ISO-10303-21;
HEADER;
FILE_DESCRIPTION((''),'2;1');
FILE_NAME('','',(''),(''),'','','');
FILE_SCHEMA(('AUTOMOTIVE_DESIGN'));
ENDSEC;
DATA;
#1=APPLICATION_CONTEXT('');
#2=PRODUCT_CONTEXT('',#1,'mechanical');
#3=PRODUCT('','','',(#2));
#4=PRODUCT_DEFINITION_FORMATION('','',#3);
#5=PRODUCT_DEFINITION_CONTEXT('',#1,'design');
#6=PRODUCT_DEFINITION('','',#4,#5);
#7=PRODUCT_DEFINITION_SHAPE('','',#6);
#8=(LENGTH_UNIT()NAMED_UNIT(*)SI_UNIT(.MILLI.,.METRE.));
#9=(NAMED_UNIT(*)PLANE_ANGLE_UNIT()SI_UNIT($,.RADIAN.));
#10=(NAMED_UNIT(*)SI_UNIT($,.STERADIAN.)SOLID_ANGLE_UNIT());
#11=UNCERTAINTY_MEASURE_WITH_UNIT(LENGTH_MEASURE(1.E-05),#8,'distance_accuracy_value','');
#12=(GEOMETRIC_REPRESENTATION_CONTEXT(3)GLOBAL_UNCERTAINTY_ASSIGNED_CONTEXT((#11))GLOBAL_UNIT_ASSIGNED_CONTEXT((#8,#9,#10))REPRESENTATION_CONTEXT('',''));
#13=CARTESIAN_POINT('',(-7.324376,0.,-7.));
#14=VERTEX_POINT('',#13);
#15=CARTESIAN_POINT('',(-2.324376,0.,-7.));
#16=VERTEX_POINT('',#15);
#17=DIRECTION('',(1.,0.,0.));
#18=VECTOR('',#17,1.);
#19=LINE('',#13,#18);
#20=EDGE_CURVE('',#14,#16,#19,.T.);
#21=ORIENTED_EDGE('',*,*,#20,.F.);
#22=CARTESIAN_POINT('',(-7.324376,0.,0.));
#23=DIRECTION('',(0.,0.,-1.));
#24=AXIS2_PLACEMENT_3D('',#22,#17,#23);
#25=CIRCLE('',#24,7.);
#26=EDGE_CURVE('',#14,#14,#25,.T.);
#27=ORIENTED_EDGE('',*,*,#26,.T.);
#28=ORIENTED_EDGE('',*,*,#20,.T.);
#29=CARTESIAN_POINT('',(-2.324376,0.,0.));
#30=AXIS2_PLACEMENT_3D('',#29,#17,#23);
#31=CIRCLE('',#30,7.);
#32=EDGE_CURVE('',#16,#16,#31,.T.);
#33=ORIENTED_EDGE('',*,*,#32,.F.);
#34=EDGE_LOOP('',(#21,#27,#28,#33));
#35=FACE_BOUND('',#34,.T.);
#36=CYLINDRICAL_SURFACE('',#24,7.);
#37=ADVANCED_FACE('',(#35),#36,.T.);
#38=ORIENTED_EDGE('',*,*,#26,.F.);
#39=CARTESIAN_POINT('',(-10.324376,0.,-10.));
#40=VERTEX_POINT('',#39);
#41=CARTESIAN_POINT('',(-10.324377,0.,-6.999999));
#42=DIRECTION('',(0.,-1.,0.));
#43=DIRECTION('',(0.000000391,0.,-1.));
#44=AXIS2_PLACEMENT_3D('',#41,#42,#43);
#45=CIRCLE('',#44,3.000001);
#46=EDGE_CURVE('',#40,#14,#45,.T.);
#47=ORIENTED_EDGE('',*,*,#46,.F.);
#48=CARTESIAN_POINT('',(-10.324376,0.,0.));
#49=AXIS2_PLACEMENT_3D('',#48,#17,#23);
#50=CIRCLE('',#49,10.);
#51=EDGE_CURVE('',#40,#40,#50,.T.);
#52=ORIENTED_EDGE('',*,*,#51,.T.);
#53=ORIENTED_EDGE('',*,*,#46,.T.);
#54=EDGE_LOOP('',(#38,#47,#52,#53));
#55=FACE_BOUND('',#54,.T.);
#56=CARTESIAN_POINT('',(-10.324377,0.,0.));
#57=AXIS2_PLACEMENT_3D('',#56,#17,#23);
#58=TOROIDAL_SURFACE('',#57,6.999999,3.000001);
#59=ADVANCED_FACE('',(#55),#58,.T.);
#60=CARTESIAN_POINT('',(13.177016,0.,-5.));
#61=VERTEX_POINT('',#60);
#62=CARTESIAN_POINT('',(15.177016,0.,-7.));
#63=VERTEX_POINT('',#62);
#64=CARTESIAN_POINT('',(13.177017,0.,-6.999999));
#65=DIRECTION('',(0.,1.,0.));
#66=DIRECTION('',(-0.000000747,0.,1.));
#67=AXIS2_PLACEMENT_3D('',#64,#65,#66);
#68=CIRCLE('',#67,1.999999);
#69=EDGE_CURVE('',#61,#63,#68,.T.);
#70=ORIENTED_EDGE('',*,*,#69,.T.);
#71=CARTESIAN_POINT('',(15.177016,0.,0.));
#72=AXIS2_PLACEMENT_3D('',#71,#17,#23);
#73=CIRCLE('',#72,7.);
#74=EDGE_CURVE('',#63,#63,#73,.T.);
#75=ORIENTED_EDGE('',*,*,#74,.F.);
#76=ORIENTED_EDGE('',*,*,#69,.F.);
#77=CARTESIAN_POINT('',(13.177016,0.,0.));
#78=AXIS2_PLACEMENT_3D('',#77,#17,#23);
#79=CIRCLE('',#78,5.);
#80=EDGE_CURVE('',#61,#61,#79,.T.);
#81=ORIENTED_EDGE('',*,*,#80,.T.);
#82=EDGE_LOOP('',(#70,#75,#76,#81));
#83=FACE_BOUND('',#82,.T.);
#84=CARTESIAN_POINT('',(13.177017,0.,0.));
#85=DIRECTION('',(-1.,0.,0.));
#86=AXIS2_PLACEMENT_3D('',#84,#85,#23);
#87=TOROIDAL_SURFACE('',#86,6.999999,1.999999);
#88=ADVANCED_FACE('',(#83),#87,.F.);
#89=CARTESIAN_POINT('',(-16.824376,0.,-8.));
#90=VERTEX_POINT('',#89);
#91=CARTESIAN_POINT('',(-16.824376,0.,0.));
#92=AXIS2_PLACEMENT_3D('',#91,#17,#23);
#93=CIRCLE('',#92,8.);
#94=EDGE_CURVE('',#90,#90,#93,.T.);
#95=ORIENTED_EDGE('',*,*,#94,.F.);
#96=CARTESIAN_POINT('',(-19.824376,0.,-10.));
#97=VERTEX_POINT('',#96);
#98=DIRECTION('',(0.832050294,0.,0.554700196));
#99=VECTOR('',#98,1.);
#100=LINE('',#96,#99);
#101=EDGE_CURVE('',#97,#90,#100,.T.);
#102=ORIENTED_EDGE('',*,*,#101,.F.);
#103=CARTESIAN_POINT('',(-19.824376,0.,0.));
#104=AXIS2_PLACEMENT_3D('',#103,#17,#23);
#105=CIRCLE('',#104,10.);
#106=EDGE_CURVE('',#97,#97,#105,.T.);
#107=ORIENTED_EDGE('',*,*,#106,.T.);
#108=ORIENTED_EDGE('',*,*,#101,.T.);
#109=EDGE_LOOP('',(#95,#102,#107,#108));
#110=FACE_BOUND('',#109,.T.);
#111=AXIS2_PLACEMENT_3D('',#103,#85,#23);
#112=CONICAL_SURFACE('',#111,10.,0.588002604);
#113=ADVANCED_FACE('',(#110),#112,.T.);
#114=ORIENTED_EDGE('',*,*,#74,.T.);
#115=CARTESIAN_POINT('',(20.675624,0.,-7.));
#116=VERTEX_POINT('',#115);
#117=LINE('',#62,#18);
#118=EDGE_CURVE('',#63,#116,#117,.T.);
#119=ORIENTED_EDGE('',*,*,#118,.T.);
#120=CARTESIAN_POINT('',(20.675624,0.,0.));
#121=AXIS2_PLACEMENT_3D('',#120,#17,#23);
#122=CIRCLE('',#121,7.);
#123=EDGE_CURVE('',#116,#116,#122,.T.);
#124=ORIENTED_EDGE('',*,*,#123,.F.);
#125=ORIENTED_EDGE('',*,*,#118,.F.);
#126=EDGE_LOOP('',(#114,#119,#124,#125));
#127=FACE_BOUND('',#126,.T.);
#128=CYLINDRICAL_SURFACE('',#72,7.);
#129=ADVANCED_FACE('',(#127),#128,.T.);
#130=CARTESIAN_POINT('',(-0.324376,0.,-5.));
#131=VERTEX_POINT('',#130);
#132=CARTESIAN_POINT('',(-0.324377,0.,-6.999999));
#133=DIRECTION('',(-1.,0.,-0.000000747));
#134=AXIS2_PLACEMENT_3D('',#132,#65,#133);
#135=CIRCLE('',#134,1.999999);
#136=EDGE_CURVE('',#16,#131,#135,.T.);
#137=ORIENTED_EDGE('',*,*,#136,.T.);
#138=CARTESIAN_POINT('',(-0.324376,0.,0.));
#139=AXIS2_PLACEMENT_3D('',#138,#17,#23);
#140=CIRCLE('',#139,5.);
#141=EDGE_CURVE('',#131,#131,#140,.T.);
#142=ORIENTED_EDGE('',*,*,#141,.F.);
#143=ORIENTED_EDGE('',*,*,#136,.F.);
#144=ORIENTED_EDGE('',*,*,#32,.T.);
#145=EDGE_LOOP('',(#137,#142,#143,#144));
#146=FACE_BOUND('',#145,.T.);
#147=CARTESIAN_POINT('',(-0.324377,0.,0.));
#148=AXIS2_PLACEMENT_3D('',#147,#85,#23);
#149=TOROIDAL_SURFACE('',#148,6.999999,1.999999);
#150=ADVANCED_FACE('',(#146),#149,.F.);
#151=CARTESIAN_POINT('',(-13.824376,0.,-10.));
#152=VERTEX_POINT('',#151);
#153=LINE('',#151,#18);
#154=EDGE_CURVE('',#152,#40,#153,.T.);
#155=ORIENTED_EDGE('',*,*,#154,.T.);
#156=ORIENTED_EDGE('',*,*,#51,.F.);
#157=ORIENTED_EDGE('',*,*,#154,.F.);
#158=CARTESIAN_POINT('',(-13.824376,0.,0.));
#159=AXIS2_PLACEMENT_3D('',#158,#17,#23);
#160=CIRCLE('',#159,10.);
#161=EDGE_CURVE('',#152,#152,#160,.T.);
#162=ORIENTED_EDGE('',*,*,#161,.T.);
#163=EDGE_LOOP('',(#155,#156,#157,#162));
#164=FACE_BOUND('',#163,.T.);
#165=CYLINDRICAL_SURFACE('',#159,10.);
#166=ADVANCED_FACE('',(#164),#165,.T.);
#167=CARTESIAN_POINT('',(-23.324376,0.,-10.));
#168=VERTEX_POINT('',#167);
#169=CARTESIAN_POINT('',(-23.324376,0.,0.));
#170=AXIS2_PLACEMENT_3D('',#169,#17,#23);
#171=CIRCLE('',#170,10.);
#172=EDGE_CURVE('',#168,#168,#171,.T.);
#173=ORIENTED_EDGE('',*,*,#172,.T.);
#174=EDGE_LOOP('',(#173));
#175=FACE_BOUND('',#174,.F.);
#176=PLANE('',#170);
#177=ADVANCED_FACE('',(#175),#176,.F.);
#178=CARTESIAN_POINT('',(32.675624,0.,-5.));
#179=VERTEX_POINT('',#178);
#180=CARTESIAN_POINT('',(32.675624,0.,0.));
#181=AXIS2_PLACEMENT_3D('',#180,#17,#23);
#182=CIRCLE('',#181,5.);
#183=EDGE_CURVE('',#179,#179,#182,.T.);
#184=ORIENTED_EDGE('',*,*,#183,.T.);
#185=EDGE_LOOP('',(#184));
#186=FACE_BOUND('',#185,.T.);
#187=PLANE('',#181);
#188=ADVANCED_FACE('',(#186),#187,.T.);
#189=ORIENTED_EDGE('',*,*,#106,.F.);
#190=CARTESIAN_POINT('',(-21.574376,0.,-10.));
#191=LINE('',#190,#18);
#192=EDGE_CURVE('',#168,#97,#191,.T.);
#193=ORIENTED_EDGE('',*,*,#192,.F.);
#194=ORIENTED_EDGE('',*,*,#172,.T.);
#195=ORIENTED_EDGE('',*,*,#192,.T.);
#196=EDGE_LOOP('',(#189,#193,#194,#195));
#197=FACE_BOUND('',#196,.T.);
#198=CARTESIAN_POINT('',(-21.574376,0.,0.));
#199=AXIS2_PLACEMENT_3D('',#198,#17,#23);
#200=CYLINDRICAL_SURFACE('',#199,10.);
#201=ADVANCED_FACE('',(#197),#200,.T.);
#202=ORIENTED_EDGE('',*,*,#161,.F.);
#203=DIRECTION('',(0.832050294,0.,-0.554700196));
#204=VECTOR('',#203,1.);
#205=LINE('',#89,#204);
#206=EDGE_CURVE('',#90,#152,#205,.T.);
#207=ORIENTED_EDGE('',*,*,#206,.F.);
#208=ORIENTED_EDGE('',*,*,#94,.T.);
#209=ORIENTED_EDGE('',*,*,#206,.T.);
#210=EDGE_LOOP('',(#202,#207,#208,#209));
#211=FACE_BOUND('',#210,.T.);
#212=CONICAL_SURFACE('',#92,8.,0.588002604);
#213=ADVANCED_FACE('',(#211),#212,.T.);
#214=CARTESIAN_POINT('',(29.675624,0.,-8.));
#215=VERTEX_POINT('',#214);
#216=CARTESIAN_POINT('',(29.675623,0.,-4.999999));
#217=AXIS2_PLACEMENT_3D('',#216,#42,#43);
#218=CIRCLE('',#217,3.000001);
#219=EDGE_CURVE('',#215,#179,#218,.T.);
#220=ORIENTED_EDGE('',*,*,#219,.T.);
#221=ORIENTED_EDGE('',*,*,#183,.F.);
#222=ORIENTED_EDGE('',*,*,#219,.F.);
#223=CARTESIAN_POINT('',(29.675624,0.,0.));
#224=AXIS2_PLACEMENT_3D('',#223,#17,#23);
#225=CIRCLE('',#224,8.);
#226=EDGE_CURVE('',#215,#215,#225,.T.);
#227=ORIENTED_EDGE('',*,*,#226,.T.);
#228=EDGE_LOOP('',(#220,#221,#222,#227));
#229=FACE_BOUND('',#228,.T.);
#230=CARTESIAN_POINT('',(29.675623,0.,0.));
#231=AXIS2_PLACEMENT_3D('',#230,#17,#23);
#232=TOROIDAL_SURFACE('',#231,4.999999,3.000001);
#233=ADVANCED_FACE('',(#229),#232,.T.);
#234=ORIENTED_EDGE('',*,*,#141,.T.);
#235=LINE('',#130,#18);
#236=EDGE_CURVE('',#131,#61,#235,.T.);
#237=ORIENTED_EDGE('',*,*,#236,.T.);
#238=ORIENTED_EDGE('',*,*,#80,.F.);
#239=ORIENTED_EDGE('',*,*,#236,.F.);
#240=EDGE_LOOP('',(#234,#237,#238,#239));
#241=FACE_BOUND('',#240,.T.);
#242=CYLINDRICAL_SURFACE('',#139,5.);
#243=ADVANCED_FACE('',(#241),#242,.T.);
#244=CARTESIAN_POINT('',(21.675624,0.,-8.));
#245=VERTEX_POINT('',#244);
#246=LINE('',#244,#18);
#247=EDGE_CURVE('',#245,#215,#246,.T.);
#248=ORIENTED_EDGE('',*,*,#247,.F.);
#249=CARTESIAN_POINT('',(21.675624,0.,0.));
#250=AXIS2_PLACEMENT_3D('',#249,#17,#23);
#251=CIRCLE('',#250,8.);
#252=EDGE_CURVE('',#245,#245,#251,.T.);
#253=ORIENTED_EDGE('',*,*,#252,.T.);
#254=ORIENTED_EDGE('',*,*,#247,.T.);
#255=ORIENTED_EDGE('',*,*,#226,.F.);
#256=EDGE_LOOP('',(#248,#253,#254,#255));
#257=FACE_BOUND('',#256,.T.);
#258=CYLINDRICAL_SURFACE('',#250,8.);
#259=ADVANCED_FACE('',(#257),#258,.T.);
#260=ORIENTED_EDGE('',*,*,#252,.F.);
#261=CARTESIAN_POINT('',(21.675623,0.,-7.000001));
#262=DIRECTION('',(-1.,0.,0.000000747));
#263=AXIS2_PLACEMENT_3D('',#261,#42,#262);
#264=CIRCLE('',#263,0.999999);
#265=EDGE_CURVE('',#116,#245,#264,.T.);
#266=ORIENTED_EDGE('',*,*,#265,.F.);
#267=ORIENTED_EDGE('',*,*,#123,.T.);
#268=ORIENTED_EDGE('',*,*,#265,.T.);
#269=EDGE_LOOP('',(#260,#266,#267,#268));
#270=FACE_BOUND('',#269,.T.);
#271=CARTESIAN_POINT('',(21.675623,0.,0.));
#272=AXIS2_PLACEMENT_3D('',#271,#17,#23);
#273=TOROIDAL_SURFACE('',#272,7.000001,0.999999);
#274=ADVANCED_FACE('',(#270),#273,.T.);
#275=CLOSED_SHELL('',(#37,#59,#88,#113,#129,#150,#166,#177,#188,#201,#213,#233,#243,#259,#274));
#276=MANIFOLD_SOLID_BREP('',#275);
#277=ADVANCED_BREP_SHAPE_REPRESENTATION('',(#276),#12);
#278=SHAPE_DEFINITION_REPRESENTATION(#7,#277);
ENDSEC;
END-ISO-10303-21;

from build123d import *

# Parameters (mm, degrees)
F0_W = 3.5
F0_H = 10


with BuildPart() as f1:
    # F0 (on Front) → F1 (revolve)
    with BuildSketch(Plane.XZ):
        with BuildLine():
            Line((20.675624, 0), (-7.324376, 0))
            Line((-7.324376, 0), (-7.324376, -7))
            Line((-7.324376, -7), (-2.324376, -7))
            ThreePointArc((-2.324376, -7), (-1.73859, -5.585786), (-0.324376, -5))
            Line((-0.324376, -5), (13.177016, -5))
            ThreePointArc((13.177016, -5), (14.59123, -5.585786), (15.177016, -7))
            Line((15.177016, -7), (20.675624, -7))
            Line((20.675624, -7), (20.675624, 0))
        make_face()
        with BuildLine():
            Line((32.675624, 0), (20.675624, 0))
            Line((20.675624, 0), (20.675624, -7))
            ThreePointArc((20.675624, -7), (20.968517, -7.707107), (21.675624, -8))
            Line((21.675624, -8), (29.675624, -8))
            ThreePointArc((29.675624, -8), (31.796944, -7.12132), (32.675624, -5))
            Line((32.675624, -5), (32.675624, 0))
        make_face()
        Polygon((-16.824376, 0), (-19.824376, 0), (-19.824376, -10), (-16.824376, -8), align=None)
        with Locations((-21.574376, -5)):
            Rectangle(F0_W, F0_H)
        with BuildLine():
            Line((-7.324376, 0), (-13.824376, 0))
            Line((-13.824376, 0), (-13.824376, -10))
            Line((-13.824376, -10), (-10.324376, -10))
            ThreePointArc((-10.324376, -10), (-8.203056, -9.12132), (-7.324376, -7))
            Line((-7.324376, -7), (-7.324376, 0))
        make_face()
        Polygon((-13.824376, 0), (-16.824376, 0), (-16.824376, -8), (-13.824376, -10), align=None)
    revolve(axis=Axis((5.656604, 0, 0), (1, 0, 0)))


solid = f1.part
